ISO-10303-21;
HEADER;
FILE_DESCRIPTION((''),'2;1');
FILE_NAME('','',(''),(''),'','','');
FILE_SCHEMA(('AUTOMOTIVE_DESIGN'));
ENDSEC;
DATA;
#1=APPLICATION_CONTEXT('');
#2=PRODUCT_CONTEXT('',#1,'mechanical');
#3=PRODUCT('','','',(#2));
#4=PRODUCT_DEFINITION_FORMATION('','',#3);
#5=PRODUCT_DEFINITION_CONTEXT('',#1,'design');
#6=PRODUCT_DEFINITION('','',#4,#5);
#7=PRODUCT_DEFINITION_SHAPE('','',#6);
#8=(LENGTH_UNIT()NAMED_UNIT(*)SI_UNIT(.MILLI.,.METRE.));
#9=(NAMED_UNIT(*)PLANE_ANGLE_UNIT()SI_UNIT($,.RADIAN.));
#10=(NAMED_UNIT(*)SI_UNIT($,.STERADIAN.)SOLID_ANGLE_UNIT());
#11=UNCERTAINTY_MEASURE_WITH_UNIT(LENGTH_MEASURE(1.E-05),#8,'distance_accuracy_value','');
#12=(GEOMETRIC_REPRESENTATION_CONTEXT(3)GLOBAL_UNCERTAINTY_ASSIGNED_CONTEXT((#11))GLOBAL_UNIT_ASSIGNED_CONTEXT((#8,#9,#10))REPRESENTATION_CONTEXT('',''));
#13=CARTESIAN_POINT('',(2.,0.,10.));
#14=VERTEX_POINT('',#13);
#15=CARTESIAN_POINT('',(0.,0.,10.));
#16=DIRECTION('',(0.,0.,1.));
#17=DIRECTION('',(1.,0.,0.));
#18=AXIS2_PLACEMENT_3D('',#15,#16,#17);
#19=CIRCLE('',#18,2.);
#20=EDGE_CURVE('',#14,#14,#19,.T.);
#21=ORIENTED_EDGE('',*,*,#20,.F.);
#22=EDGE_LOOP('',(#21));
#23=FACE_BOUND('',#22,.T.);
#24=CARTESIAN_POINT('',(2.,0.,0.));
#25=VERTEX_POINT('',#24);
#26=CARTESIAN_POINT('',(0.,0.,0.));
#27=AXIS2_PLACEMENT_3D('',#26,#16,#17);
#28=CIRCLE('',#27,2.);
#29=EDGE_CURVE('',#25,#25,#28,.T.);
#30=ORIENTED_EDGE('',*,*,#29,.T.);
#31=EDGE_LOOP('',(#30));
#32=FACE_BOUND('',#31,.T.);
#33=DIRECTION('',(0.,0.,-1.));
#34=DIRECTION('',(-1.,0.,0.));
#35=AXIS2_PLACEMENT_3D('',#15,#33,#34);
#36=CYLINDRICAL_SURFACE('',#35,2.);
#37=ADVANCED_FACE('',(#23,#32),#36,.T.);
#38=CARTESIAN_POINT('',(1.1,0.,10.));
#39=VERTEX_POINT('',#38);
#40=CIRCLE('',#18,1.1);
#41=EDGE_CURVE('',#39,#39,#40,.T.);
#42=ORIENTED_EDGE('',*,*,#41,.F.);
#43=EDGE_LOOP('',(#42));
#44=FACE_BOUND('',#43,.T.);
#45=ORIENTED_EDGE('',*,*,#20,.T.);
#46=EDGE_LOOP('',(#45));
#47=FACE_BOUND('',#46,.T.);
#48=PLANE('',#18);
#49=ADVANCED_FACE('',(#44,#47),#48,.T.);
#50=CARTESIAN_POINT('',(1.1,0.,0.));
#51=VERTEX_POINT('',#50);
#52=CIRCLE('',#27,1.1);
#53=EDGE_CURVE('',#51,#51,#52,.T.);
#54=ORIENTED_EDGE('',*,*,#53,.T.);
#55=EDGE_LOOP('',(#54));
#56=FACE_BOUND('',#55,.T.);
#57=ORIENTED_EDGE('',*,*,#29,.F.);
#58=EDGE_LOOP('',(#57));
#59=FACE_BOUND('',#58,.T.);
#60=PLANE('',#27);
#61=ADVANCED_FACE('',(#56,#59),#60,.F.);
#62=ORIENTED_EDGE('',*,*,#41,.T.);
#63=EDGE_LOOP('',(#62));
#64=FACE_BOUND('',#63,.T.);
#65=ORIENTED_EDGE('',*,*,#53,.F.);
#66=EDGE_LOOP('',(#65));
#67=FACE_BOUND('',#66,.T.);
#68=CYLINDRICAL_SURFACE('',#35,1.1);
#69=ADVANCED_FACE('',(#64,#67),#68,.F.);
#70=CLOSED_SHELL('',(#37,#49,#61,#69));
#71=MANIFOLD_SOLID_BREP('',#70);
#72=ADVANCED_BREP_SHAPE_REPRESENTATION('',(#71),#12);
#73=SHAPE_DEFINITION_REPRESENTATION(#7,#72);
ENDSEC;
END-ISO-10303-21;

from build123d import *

# Parameters (mm, degrees)
SKETCH_1_R      = 2
SKETCH_1_R_2    = 1.1
F_10MM_M2_DEPTH = 10


with BuildPart() as part:
    # 草图1 → 10mm铝柱_M2简化内孔 (new body)
    with BuildSketch(Plane.XY):
        Circle(SKETCH_1_R)
        Circle(SKETCH_1_R_2, mode=Mode.SUBTRACT)
    extrude(amount=F_10MM_M2_DEPTH)


solid = part.part
